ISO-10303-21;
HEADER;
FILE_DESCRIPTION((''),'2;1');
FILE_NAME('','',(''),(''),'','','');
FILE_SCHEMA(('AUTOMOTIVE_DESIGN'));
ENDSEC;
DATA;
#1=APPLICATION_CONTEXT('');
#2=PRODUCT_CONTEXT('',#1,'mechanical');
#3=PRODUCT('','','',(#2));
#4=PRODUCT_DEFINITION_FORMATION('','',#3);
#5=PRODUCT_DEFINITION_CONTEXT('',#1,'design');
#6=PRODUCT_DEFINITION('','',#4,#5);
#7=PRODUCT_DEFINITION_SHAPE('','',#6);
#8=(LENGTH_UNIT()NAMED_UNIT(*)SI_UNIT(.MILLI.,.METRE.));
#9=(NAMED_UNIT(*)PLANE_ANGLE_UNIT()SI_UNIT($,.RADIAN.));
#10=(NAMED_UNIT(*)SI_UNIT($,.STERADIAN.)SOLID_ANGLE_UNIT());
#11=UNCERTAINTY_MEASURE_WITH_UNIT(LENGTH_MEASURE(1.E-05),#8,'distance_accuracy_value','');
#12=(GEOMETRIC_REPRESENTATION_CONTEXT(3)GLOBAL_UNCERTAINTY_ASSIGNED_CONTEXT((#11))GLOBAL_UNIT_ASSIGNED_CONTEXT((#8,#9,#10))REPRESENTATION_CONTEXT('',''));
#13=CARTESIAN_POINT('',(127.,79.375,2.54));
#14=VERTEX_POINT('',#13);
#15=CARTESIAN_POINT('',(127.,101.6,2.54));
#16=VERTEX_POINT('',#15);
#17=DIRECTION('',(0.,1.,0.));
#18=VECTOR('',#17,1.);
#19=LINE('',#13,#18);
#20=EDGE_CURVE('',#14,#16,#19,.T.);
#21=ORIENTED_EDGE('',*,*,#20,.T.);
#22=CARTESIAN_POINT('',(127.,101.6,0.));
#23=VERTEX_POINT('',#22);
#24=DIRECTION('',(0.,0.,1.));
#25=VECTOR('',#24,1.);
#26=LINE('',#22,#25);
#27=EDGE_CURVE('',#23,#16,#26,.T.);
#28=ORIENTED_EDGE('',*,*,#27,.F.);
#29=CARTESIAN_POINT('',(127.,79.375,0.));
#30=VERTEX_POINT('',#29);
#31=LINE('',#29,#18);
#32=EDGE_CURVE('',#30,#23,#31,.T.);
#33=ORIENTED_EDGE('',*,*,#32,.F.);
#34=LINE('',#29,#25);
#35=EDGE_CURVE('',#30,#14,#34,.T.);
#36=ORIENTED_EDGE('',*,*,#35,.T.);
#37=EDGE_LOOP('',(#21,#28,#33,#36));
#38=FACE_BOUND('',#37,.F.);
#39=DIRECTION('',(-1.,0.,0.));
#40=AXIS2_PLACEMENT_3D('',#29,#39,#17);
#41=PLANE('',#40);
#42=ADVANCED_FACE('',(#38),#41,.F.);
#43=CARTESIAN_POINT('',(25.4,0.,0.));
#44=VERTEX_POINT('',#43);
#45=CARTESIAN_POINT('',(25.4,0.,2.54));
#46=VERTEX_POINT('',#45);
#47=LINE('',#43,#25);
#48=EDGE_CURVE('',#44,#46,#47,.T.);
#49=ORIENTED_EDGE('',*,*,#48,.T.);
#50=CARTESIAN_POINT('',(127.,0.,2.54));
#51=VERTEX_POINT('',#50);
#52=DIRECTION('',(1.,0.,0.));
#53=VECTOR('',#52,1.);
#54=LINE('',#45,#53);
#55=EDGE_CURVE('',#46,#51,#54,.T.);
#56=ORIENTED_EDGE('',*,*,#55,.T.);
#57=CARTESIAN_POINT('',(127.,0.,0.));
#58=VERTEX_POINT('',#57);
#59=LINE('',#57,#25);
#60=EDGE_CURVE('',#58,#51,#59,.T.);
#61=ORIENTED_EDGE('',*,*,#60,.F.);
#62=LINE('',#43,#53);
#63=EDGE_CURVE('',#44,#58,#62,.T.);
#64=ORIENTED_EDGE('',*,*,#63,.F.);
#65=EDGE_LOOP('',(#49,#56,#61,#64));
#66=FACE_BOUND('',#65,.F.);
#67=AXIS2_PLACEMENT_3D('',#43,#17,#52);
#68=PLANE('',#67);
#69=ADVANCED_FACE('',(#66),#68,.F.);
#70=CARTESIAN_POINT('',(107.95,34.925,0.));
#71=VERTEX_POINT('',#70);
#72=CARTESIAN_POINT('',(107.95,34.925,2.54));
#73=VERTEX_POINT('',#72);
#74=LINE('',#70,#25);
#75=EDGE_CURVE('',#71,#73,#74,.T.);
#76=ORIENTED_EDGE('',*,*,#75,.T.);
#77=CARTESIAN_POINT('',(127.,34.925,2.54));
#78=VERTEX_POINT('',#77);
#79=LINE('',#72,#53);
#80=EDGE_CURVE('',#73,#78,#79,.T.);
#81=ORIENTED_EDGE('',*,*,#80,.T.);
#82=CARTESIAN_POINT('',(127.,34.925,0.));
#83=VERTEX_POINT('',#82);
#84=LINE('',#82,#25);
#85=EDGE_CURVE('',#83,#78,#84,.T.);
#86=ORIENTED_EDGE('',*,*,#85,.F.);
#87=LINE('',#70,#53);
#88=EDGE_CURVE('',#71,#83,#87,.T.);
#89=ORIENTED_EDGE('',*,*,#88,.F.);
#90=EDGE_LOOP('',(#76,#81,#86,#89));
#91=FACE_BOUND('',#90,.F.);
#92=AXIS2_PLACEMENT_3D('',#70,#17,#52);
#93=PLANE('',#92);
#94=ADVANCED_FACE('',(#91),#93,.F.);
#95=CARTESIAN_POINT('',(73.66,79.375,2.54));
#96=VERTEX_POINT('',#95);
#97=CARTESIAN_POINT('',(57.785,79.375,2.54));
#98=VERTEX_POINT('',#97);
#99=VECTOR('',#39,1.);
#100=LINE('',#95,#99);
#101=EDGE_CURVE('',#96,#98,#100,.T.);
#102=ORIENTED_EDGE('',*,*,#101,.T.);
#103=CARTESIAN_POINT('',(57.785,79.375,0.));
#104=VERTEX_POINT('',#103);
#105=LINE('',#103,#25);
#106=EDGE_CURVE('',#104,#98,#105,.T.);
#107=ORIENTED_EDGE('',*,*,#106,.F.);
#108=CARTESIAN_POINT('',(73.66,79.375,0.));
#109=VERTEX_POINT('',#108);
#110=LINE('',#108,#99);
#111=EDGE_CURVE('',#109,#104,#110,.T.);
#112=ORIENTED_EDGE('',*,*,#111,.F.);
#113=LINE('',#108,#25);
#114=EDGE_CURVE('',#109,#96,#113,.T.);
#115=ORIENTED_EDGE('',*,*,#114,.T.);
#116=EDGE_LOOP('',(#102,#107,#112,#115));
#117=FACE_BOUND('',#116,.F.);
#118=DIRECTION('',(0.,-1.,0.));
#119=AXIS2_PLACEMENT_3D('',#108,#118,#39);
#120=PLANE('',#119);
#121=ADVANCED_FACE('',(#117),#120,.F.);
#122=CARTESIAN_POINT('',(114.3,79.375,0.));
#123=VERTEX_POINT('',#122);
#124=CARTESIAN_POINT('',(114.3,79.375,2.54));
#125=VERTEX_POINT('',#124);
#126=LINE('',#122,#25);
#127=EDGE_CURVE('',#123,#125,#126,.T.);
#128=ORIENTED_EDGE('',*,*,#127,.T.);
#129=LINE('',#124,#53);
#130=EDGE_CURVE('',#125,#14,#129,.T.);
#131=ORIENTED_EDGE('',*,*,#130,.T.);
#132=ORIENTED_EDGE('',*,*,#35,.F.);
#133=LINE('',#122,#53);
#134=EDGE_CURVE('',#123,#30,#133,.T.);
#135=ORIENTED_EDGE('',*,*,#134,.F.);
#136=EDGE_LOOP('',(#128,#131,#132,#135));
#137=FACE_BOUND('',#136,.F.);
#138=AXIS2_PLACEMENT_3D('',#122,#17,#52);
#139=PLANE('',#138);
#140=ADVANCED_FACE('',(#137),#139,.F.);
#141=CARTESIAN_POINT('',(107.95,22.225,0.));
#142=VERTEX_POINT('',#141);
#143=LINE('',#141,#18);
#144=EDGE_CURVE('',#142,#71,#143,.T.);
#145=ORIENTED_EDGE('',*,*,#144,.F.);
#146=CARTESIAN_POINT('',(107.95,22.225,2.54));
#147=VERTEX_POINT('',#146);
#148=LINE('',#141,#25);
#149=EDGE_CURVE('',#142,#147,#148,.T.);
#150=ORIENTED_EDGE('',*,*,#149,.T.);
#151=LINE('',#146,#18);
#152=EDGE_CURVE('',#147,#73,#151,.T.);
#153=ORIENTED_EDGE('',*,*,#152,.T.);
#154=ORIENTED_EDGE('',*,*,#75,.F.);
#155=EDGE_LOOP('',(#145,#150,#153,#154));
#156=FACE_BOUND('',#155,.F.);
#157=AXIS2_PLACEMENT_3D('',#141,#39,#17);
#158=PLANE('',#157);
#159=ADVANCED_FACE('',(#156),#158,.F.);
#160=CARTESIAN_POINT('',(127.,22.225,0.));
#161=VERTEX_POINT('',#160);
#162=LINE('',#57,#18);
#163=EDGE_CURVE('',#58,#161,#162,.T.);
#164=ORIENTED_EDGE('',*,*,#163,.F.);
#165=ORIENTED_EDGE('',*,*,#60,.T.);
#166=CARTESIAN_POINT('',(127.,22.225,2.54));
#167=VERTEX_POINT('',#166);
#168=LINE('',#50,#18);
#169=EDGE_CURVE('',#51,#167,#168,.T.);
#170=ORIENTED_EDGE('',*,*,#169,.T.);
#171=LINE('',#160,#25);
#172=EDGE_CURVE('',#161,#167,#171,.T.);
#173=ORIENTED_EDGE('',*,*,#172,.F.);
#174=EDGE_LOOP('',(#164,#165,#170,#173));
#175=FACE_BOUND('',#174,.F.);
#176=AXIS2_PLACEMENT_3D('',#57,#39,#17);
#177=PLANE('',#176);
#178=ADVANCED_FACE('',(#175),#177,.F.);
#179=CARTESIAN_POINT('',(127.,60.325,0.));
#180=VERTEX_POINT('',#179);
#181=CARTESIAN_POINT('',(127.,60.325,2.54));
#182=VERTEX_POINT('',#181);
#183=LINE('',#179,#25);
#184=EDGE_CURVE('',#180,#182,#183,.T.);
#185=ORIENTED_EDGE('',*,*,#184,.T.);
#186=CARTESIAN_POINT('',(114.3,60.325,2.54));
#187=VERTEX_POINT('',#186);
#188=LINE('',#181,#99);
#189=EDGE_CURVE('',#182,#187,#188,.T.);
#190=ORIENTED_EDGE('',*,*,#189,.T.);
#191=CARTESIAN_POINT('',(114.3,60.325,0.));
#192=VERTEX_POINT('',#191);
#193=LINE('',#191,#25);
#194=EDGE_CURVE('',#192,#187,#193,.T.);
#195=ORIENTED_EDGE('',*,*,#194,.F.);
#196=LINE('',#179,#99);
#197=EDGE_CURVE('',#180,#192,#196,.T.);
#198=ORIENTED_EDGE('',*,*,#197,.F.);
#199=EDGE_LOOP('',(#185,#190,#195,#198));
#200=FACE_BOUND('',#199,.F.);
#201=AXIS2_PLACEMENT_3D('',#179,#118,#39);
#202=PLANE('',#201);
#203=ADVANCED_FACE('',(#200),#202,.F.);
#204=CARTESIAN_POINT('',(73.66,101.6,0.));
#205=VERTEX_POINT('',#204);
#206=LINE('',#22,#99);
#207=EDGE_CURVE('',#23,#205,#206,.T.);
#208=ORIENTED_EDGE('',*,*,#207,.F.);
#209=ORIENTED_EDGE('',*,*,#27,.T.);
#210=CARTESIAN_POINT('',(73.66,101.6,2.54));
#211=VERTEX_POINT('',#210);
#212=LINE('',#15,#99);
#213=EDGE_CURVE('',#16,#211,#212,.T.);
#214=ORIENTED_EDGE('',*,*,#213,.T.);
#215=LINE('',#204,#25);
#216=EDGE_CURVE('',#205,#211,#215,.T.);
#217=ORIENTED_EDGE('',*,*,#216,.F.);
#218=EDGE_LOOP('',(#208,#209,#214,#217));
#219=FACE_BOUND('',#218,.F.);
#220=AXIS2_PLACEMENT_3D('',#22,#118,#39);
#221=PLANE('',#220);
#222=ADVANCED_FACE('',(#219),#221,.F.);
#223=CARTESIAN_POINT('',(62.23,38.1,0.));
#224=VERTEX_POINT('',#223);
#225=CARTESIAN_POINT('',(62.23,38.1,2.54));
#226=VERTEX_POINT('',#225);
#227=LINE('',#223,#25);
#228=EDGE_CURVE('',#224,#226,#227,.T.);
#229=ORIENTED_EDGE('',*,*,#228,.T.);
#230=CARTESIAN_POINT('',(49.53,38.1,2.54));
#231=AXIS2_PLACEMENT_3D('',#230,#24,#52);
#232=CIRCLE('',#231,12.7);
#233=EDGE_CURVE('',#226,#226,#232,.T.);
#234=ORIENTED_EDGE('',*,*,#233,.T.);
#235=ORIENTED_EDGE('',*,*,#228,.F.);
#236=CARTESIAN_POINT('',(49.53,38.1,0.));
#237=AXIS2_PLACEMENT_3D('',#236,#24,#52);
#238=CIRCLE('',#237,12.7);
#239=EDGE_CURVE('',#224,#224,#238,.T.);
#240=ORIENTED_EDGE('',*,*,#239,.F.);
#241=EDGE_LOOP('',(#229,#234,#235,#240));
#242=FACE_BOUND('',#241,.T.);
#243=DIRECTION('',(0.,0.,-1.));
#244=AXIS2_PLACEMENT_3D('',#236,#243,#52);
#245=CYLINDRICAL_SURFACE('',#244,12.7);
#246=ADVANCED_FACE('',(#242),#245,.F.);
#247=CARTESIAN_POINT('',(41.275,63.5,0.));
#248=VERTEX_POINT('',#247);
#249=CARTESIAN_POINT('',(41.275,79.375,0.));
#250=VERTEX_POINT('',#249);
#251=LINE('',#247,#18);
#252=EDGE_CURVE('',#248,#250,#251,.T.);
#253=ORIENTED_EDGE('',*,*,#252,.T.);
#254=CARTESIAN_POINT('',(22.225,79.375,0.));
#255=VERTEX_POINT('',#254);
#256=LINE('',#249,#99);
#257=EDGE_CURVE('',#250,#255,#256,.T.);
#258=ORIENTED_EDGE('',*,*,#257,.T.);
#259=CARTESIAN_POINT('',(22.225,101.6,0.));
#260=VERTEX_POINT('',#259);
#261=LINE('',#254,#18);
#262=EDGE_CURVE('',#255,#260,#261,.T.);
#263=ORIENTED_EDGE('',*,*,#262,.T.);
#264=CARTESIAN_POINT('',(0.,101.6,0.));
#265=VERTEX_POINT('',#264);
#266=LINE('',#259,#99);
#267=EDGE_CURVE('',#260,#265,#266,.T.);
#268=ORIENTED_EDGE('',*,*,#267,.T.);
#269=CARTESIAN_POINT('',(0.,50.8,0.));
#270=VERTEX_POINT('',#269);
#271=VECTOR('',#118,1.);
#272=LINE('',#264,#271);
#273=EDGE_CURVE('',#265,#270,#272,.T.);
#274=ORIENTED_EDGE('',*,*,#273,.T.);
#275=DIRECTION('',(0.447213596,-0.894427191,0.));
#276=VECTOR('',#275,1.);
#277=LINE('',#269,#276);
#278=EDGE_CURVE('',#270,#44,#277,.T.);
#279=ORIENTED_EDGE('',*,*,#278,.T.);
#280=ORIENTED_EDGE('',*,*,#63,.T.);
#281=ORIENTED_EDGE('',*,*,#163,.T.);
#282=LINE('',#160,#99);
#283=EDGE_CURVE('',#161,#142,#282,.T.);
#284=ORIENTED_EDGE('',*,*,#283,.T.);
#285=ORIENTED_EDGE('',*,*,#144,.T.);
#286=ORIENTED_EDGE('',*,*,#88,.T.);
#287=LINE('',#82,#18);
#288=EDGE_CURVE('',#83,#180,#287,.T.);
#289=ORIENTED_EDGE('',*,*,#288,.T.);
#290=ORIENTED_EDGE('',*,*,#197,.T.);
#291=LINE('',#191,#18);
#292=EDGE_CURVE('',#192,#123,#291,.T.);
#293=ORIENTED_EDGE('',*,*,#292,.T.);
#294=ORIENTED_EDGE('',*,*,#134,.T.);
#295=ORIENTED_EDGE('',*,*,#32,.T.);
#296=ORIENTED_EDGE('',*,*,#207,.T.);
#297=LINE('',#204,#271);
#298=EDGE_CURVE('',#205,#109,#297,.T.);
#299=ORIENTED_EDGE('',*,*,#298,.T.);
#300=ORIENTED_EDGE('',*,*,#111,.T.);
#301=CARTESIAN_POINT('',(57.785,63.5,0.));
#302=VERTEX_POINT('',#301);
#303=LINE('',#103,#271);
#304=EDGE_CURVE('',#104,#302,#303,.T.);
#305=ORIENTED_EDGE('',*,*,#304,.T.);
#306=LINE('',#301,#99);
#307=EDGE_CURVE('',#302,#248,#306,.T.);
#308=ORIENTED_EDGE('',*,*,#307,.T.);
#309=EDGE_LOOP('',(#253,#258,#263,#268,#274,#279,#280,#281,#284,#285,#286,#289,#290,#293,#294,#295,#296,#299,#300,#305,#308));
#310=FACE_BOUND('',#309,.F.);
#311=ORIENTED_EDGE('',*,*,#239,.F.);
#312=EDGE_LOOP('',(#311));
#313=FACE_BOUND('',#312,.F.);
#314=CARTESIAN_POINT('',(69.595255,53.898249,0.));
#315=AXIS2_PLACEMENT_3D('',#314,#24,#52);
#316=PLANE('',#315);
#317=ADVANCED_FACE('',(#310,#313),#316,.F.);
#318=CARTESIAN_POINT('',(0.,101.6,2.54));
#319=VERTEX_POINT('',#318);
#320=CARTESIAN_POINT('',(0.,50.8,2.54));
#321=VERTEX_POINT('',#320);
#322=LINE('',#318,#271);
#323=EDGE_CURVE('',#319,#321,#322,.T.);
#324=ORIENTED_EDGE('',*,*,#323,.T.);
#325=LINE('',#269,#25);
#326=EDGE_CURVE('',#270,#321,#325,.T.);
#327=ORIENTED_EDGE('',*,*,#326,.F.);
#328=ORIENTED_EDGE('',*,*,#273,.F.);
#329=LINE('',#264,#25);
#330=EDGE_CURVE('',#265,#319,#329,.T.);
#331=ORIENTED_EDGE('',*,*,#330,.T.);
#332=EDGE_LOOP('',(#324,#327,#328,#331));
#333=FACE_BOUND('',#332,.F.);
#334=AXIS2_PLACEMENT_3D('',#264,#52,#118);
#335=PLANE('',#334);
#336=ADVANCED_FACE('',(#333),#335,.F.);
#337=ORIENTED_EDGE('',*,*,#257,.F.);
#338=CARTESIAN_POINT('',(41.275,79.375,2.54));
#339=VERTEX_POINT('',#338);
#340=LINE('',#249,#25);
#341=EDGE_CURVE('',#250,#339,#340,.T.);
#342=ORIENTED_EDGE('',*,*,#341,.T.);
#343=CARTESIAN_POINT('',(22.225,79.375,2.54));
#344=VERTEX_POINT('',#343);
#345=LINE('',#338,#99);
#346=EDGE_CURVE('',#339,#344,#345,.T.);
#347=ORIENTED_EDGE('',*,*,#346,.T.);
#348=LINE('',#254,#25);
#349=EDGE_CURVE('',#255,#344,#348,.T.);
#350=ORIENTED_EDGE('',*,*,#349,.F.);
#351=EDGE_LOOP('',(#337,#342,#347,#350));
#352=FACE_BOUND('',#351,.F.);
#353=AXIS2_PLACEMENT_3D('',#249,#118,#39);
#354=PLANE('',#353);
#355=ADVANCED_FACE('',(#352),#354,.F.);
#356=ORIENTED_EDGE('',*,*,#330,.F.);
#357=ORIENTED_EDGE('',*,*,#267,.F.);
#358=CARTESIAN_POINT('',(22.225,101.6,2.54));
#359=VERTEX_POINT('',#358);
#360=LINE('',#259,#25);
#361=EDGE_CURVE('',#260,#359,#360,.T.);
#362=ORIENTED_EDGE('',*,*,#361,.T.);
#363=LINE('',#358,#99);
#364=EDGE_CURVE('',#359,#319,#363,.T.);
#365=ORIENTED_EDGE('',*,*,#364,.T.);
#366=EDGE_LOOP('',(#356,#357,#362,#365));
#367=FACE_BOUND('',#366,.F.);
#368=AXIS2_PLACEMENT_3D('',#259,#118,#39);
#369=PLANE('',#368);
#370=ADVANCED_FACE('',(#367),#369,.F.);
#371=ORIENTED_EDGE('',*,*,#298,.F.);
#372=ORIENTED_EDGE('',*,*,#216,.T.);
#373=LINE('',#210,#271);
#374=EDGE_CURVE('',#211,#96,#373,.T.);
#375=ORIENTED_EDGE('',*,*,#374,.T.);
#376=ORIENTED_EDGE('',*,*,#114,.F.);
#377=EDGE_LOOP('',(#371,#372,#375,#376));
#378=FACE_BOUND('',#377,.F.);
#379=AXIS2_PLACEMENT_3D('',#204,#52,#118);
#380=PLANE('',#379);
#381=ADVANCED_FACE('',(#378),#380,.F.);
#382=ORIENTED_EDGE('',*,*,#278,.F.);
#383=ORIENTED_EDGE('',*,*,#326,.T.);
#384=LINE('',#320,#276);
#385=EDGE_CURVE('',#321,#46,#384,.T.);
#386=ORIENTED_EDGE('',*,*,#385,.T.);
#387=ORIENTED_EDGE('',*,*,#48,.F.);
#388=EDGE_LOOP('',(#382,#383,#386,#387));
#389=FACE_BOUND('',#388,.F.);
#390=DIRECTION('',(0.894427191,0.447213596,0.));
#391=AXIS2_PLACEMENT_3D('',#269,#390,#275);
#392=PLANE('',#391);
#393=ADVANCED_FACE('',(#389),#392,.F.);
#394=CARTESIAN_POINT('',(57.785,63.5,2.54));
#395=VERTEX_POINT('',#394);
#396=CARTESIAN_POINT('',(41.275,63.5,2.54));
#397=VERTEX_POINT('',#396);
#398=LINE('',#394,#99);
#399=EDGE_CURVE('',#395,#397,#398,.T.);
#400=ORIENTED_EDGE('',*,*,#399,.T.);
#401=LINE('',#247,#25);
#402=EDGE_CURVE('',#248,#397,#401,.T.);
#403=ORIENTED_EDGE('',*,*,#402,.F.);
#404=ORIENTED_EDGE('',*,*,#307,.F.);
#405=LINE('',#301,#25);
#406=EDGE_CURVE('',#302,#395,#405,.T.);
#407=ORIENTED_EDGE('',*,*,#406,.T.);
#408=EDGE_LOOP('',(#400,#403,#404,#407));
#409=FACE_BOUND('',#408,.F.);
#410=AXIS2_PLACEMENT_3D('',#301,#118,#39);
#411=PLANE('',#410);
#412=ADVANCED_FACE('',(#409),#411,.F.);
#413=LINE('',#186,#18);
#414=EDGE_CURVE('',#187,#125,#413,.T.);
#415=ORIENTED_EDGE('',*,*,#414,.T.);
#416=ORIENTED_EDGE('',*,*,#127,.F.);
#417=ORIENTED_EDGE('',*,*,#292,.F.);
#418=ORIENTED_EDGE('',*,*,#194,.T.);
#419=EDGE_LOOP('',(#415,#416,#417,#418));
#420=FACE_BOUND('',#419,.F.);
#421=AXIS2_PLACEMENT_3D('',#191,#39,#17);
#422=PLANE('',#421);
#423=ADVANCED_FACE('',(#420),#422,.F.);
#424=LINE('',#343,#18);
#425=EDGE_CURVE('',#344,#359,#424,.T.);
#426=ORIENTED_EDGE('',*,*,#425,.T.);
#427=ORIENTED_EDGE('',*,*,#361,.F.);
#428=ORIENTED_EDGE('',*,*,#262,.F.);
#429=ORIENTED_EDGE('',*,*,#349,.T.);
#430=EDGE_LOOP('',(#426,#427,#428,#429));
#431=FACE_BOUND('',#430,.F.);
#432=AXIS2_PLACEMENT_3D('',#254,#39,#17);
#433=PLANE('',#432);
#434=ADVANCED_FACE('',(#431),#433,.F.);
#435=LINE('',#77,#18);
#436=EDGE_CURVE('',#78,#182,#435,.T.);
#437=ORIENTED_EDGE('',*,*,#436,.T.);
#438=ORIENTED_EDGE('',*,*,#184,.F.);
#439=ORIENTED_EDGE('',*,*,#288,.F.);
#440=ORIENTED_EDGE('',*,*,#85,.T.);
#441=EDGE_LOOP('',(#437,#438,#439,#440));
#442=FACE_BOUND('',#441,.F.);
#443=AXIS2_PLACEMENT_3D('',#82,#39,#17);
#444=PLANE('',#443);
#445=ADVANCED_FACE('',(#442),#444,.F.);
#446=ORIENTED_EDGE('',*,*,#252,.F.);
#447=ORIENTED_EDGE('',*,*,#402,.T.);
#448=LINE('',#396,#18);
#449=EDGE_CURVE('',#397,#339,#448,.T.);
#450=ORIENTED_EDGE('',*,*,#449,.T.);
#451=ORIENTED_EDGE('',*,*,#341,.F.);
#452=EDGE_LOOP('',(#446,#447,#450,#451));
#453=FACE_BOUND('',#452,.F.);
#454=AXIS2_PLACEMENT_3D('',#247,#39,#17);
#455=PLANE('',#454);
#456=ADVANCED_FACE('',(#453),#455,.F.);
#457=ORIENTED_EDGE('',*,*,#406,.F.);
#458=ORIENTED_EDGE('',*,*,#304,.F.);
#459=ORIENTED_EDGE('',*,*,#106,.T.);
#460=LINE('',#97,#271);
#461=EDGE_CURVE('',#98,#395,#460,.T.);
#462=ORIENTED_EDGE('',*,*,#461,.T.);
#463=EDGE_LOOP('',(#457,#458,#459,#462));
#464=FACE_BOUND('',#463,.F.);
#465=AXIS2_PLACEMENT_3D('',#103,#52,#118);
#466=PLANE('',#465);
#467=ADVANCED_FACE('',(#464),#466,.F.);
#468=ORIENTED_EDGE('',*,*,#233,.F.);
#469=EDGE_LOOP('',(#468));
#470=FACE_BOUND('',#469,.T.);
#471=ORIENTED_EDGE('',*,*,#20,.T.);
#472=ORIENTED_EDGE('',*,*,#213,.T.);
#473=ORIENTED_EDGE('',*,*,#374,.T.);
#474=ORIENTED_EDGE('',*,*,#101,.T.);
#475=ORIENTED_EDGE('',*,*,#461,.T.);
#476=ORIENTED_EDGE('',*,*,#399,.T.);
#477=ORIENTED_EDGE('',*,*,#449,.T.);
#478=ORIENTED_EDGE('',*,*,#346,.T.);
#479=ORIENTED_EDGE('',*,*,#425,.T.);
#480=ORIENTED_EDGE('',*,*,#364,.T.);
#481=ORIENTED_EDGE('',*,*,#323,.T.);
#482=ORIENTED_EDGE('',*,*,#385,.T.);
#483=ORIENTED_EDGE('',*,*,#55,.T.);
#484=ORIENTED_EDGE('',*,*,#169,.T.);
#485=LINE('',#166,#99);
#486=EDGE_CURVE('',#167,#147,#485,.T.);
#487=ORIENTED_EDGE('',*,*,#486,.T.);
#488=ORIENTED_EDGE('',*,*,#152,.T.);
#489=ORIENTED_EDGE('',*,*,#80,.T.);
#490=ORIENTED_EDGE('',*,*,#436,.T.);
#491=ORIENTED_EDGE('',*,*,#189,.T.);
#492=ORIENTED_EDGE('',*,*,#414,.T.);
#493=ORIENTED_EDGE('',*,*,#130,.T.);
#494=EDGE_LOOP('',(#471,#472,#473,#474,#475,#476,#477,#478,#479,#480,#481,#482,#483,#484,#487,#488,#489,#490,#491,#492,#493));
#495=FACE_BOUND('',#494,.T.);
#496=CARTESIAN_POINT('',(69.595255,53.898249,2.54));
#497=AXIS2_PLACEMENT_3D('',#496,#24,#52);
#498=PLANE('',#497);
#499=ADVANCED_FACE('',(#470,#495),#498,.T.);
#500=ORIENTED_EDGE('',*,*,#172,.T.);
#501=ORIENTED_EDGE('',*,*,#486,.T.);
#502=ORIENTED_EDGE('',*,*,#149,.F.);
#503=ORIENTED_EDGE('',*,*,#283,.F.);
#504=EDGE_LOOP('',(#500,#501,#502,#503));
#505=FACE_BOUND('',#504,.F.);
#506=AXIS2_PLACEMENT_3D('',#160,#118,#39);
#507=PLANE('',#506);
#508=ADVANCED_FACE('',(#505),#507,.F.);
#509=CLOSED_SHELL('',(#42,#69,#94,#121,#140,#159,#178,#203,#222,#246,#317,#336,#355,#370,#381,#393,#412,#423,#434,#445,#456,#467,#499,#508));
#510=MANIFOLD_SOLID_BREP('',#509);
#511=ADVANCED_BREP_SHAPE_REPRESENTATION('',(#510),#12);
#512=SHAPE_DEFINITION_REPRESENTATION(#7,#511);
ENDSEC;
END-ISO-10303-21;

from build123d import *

# Parameters (mm, degrees)
F0_R     = 12.7
F1_DEPTH = 2.54


with BuildPart() as f1:
    # F0 (on Top) → F1 (new body)
    with BuildSketch(Plane.XY):
        Polygon((0, 50.8), (25.4, 0), (107.95, 0), (127, 0), (127, 22.225), (107.95, 22.225), (107.95, 34.925), (114.3, 34.925), (127, 34.925), (127, 60.325), (114.3, 60.325), (114.3, 79.375), (127, 79.375), (127, 101.6), (73.66, 101.6), (73.66, 79.375), (57.785, 79.375), (57.785, 63.5), (49.53, 63.5), (41.275, 63.5), (41.275, 79.375), (22.225, 79.375), (22.225, 101.6), (0, 101.6), align=None)
        with Locations((49.53, 38.1)):
            Circle(F0_R, mode=Mode.SUBTRACT)
    extrude(amount=F1_DEPTH)


solid = f1.part
